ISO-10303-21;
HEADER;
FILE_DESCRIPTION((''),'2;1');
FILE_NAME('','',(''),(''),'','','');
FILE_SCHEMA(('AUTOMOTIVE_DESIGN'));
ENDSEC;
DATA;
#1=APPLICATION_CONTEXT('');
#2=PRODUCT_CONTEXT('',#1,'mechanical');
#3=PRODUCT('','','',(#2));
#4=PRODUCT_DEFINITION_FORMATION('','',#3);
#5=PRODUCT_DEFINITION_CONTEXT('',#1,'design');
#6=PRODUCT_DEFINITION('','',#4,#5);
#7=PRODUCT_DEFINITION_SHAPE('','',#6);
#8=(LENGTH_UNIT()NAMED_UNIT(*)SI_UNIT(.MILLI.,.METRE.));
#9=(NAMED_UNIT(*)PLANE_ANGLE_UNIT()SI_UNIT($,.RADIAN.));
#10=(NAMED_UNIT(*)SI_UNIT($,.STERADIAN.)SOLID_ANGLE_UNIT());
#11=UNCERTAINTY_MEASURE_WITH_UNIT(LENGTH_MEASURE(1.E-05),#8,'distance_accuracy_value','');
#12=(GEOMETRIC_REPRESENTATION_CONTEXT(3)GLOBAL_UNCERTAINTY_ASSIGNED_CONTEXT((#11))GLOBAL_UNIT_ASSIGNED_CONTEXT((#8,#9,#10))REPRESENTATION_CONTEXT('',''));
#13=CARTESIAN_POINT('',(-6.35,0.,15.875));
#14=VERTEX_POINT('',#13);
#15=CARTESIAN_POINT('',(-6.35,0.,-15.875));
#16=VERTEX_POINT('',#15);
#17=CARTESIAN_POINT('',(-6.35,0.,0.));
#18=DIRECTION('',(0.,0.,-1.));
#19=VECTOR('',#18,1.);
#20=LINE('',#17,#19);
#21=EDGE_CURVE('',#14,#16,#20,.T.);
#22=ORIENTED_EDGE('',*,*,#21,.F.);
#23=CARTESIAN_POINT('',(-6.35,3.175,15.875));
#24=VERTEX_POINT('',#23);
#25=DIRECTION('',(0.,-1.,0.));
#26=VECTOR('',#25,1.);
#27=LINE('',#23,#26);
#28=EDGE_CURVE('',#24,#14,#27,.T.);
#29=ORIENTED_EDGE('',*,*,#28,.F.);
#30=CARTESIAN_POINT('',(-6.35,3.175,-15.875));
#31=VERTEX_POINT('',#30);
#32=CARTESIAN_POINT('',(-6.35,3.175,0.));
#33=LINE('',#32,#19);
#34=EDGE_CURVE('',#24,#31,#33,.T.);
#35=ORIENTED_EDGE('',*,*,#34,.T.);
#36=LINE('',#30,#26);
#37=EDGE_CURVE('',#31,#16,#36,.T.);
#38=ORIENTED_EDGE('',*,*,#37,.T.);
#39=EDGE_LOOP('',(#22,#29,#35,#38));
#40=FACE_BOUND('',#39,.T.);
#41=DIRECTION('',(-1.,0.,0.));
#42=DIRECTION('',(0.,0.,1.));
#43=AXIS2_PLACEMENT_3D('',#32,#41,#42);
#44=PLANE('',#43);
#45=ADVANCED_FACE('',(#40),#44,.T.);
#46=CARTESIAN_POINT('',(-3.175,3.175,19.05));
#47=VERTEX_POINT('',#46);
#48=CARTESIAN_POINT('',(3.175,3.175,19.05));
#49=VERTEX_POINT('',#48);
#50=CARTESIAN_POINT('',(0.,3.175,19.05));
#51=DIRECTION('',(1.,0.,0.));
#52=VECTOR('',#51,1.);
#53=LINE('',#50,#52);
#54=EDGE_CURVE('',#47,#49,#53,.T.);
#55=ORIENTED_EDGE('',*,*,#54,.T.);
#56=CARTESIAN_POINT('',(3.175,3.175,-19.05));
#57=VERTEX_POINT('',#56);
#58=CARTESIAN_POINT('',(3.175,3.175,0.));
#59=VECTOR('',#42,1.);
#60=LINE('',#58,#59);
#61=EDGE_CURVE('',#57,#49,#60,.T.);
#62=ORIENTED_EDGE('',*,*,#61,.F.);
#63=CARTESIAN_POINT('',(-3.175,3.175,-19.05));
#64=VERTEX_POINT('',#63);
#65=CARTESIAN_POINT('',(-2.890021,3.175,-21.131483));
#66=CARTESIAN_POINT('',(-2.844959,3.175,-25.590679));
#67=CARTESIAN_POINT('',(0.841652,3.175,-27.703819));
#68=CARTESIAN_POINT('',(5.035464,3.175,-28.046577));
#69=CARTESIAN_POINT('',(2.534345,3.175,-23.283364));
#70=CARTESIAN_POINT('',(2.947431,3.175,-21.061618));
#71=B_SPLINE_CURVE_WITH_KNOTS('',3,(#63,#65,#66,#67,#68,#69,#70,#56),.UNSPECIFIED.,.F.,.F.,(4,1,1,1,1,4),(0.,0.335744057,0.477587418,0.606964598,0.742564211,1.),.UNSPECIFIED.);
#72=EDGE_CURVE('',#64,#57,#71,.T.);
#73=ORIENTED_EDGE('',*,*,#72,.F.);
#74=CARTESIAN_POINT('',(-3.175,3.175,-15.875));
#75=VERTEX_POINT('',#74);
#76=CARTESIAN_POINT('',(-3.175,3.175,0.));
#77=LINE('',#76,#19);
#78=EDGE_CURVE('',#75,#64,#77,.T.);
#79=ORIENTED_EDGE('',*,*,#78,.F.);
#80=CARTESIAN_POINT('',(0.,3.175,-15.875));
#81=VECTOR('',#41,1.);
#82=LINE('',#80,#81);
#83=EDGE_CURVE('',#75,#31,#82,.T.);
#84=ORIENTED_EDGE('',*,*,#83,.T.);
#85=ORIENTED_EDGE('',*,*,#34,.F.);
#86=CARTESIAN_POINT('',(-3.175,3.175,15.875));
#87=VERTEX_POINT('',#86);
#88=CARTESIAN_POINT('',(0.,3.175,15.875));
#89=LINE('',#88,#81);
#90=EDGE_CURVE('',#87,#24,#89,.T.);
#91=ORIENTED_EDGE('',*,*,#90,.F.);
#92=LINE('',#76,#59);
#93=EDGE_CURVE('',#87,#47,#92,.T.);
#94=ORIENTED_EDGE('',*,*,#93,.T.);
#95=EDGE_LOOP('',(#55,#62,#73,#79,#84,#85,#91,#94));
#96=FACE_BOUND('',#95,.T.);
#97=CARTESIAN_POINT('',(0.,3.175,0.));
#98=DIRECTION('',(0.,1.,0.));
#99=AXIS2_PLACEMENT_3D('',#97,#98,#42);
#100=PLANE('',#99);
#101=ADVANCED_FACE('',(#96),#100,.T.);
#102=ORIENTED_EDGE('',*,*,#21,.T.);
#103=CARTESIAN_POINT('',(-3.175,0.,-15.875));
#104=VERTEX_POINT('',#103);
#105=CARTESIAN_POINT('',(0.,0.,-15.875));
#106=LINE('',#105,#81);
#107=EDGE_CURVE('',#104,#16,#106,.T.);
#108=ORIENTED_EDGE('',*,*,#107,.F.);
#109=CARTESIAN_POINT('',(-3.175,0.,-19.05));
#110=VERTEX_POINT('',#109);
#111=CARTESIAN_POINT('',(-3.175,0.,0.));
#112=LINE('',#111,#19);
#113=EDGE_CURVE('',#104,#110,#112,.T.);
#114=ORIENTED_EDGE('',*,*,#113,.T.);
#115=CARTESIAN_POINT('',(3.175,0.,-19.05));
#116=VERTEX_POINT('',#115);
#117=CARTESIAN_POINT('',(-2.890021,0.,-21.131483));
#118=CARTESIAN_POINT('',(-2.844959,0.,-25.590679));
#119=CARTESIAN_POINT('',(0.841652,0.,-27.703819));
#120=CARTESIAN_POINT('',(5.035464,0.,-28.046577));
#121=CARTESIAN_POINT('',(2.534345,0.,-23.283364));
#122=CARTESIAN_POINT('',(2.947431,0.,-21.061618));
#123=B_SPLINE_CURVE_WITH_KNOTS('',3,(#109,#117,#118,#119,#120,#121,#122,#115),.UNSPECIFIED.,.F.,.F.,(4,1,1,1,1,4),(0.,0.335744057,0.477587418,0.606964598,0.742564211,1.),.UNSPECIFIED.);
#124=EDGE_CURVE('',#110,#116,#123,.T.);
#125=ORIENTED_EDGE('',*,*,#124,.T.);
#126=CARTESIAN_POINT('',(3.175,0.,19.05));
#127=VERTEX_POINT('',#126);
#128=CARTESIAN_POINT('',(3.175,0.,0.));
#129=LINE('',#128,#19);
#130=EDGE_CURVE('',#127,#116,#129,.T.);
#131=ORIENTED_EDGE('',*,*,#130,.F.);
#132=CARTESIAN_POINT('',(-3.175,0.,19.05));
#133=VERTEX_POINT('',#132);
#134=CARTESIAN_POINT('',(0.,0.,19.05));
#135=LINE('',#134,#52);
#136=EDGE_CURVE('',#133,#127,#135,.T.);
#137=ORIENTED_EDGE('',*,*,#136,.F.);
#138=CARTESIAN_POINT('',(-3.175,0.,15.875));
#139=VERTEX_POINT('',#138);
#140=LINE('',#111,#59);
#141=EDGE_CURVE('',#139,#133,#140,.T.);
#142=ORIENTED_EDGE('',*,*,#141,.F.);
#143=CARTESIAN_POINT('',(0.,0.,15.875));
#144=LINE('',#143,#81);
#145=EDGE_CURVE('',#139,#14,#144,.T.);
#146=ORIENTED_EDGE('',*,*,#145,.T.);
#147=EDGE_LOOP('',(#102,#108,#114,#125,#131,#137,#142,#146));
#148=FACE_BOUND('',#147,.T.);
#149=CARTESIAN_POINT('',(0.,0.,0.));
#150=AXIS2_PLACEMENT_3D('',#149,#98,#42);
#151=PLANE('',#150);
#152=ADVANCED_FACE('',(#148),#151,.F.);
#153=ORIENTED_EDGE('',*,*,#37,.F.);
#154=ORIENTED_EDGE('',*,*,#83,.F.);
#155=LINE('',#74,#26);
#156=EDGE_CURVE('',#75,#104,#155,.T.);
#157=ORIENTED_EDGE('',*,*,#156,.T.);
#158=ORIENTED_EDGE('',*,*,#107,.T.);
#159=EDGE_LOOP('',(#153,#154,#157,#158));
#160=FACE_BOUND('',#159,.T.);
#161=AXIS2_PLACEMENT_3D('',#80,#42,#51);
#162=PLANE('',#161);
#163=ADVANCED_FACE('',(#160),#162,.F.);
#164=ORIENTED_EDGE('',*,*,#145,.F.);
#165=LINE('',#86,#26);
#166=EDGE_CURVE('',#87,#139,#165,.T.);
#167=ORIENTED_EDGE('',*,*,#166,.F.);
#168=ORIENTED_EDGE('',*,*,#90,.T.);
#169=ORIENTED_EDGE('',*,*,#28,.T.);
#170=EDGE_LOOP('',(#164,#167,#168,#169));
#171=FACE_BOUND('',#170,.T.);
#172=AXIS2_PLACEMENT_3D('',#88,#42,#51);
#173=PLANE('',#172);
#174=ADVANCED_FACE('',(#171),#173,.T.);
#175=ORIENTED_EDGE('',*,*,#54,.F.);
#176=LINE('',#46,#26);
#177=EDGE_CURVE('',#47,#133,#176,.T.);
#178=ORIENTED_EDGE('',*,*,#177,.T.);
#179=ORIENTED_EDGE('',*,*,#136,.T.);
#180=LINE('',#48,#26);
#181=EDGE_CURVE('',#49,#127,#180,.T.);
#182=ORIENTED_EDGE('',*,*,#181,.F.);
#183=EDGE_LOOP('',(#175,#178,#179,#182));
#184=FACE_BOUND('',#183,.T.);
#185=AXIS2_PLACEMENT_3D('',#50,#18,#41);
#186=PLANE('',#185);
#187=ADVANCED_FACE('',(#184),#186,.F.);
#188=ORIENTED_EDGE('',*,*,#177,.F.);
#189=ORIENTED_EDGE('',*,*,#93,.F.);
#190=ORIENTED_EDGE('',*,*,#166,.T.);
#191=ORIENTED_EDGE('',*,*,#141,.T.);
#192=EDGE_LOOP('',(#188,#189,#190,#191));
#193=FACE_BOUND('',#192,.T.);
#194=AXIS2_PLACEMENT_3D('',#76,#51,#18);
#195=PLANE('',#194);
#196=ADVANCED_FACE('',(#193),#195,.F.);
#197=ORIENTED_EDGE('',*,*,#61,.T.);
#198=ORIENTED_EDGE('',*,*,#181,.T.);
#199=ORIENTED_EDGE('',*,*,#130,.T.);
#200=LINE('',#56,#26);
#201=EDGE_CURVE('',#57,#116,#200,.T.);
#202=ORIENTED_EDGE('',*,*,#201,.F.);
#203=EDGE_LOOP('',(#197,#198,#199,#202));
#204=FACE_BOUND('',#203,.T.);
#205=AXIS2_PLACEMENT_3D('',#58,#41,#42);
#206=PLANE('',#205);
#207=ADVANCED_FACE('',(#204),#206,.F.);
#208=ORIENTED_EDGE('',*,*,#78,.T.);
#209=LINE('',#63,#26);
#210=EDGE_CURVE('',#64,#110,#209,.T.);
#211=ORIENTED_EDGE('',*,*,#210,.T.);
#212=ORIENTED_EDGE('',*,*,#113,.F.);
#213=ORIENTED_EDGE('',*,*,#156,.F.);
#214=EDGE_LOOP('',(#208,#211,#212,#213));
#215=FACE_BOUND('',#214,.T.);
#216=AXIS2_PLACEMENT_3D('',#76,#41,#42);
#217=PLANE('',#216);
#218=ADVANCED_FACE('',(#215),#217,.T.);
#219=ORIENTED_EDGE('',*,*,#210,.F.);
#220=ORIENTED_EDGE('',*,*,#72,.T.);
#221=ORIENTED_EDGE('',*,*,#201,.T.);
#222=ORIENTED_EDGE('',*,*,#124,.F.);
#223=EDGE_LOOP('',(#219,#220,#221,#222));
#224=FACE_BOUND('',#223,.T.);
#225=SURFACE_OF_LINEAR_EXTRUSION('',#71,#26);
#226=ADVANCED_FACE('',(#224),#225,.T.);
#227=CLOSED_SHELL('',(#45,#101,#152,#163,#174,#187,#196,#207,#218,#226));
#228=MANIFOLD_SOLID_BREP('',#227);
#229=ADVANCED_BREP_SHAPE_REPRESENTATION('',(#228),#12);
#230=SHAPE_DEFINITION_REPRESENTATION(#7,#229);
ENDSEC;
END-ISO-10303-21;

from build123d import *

# Parameters (mm, degrees)
SKETCH1_W           = 6.35
SKETCH1_H           = 3.175
BOSS_EXTRUDE1_DEPTH = 3.175
SKETCH2_W           = 3.175
SKETCH2_H           = 50.8
CUT_EXTRUDE1_DEPTH  = 29.671800602


with BuildPart() as part:
    # Sketch1 → Boss-Extrude1 (new body)
    with BuildSketch(Plane(origin=(0, 0, 0), x_dir=(1, 0, 0), z_dir=(0, 1, 0))):
        Polygon((3.175, -15.875), (6.35, -15.875), (6.35, 15.875), (3.175, 15.875), (-3.175, 15.875), (-6.35, 15.875), (-6.35, 0), (-6.35, -15.875), (-3.175, -15.875), align=None)
        with Locations((0, -17.4625)):
            Rectangle(SKETCH1_W, SKETCH1_H)
        with Locations((0, 17.4625)):
            Rectangle(SKETCH1_W, SKETCH1_H)
        with BuildLine():
            Line((-3.175, 19.05), (3.175, 19.05))
            add(Edge.make_bspline(
                [(-3.175, 19.05), (-2.890021494, 21.131483457), (-2.844958791, 25.590678805), (0.841652053, 27.703819165), (5.035463591, 28.046576523), (2.534345275, 23.283363782), (2.947430864, 21.061617738), (3.175, 19.05)],
                knots=[0, 0, 0, 0, 0.335744057, 0.477587418, 0.606964598, 0.742564211, 1, 1, 1, 1], degree=3))
        make_face()
    extrude(amount=BOSS_EXTRUDE1_DEPTH)

    # Sketch2 → Cut-Extrude1 (cut, through all)
    with BuildSketch(Plane(origin=(0, 3.175, 0), x_dir=(1, 0, 0), z_dir=(0, 1, 0))):
        with Locations((4.7625, -9.525)):
            Rectangle(SKETCH2_W, SKETCH2_H)
    extrude(amount=-CUT_EXTRUDE1_DEPTH, mode=Mode.SUBTRACT)


solid = part.part
